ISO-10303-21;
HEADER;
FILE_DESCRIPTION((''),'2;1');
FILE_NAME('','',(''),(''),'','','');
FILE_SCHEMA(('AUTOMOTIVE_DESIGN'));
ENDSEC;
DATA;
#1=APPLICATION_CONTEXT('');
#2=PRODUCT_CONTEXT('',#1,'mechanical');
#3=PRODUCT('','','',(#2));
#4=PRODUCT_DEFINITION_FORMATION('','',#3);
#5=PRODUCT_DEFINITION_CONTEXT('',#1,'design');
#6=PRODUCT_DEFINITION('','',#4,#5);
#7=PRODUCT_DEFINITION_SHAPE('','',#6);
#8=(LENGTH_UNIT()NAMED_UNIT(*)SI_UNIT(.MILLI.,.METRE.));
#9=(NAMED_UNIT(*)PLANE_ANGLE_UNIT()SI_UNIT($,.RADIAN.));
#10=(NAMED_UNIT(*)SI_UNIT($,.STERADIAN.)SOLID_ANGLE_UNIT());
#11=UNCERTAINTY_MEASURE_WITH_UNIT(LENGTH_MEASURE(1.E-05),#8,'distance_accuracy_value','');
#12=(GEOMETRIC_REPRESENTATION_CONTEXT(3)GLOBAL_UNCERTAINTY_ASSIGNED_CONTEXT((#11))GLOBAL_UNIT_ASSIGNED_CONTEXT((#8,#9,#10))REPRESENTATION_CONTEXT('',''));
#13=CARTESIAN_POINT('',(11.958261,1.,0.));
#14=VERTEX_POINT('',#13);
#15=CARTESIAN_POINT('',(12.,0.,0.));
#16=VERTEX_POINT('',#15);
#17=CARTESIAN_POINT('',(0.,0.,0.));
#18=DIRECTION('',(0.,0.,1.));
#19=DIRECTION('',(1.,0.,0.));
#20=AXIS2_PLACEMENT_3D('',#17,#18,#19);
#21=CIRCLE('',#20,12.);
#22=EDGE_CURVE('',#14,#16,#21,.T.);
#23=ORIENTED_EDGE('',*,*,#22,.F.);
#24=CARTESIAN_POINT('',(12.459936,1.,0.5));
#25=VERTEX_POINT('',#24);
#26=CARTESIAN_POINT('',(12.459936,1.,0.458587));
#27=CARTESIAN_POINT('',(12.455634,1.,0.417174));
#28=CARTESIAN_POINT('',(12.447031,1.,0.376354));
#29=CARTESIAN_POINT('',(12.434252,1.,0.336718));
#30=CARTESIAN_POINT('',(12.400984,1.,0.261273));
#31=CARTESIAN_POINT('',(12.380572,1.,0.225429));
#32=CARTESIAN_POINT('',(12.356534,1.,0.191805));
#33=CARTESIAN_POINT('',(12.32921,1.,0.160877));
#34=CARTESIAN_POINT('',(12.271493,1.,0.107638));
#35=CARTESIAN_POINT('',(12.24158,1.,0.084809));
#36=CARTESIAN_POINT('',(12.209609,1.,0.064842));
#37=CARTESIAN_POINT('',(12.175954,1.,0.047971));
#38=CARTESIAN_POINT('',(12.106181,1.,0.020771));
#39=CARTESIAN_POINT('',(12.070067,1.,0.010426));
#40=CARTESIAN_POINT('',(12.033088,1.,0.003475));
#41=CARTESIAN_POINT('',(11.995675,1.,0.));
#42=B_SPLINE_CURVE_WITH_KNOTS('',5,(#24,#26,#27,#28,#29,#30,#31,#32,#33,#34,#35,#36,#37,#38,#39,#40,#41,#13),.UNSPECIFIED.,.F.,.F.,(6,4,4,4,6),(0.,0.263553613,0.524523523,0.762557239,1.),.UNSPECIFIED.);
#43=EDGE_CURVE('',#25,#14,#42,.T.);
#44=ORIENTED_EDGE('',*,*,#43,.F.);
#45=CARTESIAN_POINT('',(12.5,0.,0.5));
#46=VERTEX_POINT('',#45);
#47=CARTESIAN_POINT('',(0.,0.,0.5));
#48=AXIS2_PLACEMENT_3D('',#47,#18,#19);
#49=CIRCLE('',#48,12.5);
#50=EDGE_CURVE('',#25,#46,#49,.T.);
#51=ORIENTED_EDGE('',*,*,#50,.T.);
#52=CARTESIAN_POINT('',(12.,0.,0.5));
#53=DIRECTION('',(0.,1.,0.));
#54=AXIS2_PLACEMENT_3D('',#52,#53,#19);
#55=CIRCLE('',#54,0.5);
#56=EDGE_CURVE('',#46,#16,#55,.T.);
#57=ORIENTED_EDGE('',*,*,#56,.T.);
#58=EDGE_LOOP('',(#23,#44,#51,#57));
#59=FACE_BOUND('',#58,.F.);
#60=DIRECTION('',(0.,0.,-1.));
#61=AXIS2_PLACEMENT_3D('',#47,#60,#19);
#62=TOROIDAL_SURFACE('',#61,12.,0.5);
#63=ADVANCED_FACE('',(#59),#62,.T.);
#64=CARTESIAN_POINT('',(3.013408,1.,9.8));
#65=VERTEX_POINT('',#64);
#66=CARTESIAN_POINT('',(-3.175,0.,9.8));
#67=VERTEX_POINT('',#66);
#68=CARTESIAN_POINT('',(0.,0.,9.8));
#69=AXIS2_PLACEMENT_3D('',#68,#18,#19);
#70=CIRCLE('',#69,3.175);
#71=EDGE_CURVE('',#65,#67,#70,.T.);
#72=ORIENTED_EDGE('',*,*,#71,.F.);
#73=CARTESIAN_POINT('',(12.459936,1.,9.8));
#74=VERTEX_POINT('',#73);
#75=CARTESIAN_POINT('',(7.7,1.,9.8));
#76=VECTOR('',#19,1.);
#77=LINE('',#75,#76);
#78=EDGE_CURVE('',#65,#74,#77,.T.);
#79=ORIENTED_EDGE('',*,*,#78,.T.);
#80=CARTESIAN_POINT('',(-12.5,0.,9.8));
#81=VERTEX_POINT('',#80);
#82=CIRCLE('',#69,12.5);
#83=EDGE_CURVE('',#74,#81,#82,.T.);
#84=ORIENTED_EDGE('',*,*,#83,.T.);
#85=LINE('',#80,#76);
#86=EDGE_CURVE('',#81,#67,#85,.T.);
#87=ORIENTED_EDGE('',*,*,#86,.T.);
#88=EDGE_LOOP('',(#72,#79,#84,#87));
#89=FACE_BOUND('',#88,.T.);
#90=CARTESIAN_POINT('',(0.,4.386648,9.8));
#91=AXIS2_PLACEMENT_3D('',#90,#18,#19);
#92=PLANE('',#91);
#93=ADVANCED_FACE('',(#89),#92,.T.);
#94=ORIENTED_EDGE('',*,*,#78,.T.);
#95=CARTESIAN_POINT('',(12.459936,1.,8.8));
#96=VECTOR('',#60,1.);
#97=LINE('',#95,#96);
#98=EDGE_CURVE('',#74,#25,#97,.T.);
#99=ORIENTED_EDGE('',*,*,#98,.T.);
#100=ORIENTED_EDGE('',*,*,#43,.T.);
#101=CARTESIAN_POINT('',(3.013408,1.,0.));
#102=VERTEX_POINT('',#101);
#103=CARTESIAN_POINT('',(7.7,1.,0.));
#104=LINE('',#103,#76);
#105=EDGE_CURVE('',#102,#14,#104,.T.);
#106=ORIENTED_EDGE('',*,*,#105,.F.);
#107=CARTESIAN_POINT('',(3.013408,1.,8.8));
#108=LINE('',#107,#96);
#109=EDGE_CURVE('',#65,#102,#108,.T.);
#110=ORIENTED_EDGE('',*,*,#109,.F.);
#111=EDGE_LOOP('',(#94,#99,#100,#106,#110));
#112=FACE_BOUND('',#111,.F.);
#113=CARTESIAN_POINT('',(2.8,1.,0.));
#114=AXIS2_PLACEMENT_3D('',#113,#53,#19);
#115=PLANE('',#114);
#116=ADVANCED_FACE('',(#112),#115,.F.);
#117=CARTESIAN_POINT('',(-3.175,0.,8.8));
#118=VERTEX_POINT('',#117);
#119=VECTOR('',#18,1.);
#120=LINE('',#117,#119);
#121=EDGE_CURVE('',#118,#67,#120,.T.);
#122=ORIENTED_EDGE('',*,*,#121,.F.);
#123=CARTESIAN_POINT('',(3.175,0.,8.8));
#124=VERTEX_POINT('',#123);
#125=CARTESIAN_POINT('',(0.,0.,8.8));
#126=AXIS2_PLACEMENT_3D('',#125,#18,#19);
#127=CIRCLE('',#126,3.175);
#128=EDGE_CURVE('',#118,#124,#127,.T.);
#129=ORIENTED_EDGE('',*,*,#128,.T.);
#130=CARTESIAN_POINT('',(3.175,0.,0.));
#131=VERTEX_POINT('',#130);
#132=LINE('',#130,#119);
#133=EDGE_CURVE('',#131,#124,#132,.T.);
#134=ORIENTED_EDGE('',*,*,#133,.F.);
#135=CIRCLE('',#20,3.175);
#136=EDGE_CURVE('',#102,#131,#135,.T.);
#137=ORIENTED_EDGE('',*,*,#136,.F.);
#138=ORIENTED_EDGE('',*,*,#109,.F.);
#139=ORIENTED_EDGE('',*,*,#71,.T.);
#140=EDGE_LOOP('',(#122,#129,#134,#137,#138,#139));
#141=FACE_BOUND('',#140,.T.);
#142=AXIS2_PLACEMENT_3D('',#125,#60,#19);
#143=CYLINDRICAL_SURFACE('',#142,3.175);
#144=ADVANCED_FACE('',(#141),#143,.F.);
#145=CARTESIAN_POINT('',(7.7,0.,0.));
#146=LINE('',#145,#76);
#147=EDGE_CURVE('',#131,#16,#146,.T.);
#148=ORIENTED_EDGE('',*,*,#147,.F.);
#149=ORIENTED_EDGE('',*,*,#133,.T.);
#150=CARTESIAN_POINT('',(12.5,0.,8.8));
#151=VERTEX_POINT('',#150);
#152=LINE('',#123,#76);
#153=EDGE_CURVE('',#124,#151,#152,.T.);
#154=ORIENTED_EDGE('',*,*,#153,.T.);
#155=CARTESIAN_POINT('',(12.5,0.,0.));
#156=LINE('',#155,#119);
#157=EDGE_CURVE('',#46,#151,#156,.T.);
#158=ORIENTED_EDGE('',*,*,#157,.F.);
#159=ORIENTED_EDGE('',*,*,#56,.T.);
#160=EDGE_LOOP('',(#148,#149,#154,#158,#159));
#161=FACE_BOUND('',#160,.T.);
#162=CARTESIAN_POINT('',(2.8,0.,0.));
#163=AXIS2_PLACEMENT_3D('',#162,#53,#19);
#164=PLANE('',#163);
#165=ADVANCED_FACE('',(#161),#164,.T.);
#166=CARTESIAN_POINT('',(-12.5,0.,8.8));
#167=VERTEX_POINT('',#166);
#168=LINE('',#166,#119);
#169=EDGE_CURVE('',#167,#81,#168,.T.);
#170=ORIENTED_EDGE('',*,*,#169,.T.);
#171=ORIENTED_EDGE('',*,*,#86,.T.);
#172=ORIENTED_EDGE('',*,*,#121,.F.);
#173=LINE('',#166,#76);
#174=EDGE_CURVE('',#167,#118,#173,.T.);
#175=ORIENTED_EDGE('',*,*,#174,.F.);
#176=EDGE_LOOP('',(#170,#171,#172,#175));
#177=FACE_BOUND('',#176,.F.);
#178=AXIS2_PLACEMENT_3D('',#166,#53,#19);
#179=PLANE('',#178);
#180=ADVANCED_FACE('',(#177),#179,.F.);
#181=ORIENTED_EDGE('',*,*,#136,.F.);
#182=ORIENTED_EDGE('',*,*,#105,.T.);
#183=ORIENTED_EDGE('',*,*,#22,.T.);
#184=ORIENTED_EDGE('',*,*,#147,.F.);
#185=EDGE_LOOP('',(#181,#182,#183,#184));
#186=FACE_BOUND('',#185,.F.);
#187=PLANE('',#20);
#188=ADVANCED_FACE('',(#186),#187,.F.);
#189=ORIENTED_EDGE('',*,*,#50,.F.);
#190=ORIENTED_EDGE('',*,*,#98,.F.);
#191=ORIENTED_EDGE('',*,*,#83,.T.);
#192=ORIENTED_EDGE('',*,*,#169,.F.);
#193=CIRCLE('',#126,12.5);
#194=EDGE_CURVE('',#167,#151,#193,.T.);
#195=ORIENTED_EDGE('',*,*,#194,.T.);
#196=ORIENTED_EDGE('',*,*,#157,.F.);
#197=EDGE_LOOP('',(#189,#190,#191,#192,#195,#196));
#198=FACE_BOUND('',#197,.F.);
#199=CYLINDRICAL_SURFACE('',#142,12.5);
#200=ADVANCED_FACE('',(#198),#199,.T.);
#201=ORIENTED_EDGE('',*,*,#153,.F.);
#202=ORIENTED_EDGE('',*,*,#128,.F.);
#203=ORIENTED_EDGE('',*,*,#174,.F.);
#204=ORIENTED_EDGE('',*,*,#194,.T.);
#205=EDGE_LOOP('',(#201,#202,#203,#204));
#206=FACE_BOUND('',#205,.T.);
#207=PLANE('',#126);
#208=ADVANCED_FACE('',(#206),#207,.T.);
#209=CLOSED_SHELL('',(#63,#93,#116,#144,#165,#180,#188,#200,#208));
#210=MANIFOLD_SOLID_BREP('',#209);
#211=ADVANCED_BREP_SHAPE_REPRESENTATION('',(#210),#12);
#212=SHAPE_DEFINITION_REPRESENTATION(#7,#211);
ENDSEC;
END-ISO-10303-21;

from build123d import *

# Parameters (mm, degrees)
SKETCH001_R   = 12.5
SKETCH001_R_2 = 3.175
PAD_DEPTH     = 8.8
PAD002_DEPTH  = 1
FILLET_R      = 0.5
SKETCH007_W   = 9.8
SKETCH007_H   = 1
POCKET_DEPTH  = 9.8


with BuildPart() as part:
    # Sketch001 → Pad (new body)
    with BuildSketch(Plane.XY):
        Circle(SKETCH001_R)
        Circle(SKETCH001_R_2, mode=Mode.SUBTRACT)
    extrude(amount=PAD_DEPTH)

    # Sketch003 → Pad002 (new body)
    with BuildSketch(Plane.XY.offset(8.8)):
        with BuildLine():
            Line((-12.5, 0), (-3.175, 0))
            ThreePointArc((3.175, 0), (0, 3.175), (-3.175, 0))
            Line((3.175, 0), (12.5, 0))
            ThreePointArc((12.5, 0), (0, 12.5), (-12.5, 0))
        make_face()
    extrude(amount=PAD002_DEPTH)

    # Fillet
    fillet_edges = [part.edges().sort_by_distance(p)[0] for p in [
        (-12.5, 0, 0),
    ]]
    fillet(fillet_edges, radius=FILLET_R)

    # Sketch007 → Pocket (cut)
    with BuildSketch(Plane(origin=(0, 0, 0), x_dir=(1, 0, 0), z_dir=(0, 0, -1))):
        with Locations((7.7, -0.5)):
            Rectangle(SKETCH007_W, SKETCH007_H)
    extrude(amount=-POCKET_DEPTH, mode=Mode.SUBTRACT)


solid = part.part
